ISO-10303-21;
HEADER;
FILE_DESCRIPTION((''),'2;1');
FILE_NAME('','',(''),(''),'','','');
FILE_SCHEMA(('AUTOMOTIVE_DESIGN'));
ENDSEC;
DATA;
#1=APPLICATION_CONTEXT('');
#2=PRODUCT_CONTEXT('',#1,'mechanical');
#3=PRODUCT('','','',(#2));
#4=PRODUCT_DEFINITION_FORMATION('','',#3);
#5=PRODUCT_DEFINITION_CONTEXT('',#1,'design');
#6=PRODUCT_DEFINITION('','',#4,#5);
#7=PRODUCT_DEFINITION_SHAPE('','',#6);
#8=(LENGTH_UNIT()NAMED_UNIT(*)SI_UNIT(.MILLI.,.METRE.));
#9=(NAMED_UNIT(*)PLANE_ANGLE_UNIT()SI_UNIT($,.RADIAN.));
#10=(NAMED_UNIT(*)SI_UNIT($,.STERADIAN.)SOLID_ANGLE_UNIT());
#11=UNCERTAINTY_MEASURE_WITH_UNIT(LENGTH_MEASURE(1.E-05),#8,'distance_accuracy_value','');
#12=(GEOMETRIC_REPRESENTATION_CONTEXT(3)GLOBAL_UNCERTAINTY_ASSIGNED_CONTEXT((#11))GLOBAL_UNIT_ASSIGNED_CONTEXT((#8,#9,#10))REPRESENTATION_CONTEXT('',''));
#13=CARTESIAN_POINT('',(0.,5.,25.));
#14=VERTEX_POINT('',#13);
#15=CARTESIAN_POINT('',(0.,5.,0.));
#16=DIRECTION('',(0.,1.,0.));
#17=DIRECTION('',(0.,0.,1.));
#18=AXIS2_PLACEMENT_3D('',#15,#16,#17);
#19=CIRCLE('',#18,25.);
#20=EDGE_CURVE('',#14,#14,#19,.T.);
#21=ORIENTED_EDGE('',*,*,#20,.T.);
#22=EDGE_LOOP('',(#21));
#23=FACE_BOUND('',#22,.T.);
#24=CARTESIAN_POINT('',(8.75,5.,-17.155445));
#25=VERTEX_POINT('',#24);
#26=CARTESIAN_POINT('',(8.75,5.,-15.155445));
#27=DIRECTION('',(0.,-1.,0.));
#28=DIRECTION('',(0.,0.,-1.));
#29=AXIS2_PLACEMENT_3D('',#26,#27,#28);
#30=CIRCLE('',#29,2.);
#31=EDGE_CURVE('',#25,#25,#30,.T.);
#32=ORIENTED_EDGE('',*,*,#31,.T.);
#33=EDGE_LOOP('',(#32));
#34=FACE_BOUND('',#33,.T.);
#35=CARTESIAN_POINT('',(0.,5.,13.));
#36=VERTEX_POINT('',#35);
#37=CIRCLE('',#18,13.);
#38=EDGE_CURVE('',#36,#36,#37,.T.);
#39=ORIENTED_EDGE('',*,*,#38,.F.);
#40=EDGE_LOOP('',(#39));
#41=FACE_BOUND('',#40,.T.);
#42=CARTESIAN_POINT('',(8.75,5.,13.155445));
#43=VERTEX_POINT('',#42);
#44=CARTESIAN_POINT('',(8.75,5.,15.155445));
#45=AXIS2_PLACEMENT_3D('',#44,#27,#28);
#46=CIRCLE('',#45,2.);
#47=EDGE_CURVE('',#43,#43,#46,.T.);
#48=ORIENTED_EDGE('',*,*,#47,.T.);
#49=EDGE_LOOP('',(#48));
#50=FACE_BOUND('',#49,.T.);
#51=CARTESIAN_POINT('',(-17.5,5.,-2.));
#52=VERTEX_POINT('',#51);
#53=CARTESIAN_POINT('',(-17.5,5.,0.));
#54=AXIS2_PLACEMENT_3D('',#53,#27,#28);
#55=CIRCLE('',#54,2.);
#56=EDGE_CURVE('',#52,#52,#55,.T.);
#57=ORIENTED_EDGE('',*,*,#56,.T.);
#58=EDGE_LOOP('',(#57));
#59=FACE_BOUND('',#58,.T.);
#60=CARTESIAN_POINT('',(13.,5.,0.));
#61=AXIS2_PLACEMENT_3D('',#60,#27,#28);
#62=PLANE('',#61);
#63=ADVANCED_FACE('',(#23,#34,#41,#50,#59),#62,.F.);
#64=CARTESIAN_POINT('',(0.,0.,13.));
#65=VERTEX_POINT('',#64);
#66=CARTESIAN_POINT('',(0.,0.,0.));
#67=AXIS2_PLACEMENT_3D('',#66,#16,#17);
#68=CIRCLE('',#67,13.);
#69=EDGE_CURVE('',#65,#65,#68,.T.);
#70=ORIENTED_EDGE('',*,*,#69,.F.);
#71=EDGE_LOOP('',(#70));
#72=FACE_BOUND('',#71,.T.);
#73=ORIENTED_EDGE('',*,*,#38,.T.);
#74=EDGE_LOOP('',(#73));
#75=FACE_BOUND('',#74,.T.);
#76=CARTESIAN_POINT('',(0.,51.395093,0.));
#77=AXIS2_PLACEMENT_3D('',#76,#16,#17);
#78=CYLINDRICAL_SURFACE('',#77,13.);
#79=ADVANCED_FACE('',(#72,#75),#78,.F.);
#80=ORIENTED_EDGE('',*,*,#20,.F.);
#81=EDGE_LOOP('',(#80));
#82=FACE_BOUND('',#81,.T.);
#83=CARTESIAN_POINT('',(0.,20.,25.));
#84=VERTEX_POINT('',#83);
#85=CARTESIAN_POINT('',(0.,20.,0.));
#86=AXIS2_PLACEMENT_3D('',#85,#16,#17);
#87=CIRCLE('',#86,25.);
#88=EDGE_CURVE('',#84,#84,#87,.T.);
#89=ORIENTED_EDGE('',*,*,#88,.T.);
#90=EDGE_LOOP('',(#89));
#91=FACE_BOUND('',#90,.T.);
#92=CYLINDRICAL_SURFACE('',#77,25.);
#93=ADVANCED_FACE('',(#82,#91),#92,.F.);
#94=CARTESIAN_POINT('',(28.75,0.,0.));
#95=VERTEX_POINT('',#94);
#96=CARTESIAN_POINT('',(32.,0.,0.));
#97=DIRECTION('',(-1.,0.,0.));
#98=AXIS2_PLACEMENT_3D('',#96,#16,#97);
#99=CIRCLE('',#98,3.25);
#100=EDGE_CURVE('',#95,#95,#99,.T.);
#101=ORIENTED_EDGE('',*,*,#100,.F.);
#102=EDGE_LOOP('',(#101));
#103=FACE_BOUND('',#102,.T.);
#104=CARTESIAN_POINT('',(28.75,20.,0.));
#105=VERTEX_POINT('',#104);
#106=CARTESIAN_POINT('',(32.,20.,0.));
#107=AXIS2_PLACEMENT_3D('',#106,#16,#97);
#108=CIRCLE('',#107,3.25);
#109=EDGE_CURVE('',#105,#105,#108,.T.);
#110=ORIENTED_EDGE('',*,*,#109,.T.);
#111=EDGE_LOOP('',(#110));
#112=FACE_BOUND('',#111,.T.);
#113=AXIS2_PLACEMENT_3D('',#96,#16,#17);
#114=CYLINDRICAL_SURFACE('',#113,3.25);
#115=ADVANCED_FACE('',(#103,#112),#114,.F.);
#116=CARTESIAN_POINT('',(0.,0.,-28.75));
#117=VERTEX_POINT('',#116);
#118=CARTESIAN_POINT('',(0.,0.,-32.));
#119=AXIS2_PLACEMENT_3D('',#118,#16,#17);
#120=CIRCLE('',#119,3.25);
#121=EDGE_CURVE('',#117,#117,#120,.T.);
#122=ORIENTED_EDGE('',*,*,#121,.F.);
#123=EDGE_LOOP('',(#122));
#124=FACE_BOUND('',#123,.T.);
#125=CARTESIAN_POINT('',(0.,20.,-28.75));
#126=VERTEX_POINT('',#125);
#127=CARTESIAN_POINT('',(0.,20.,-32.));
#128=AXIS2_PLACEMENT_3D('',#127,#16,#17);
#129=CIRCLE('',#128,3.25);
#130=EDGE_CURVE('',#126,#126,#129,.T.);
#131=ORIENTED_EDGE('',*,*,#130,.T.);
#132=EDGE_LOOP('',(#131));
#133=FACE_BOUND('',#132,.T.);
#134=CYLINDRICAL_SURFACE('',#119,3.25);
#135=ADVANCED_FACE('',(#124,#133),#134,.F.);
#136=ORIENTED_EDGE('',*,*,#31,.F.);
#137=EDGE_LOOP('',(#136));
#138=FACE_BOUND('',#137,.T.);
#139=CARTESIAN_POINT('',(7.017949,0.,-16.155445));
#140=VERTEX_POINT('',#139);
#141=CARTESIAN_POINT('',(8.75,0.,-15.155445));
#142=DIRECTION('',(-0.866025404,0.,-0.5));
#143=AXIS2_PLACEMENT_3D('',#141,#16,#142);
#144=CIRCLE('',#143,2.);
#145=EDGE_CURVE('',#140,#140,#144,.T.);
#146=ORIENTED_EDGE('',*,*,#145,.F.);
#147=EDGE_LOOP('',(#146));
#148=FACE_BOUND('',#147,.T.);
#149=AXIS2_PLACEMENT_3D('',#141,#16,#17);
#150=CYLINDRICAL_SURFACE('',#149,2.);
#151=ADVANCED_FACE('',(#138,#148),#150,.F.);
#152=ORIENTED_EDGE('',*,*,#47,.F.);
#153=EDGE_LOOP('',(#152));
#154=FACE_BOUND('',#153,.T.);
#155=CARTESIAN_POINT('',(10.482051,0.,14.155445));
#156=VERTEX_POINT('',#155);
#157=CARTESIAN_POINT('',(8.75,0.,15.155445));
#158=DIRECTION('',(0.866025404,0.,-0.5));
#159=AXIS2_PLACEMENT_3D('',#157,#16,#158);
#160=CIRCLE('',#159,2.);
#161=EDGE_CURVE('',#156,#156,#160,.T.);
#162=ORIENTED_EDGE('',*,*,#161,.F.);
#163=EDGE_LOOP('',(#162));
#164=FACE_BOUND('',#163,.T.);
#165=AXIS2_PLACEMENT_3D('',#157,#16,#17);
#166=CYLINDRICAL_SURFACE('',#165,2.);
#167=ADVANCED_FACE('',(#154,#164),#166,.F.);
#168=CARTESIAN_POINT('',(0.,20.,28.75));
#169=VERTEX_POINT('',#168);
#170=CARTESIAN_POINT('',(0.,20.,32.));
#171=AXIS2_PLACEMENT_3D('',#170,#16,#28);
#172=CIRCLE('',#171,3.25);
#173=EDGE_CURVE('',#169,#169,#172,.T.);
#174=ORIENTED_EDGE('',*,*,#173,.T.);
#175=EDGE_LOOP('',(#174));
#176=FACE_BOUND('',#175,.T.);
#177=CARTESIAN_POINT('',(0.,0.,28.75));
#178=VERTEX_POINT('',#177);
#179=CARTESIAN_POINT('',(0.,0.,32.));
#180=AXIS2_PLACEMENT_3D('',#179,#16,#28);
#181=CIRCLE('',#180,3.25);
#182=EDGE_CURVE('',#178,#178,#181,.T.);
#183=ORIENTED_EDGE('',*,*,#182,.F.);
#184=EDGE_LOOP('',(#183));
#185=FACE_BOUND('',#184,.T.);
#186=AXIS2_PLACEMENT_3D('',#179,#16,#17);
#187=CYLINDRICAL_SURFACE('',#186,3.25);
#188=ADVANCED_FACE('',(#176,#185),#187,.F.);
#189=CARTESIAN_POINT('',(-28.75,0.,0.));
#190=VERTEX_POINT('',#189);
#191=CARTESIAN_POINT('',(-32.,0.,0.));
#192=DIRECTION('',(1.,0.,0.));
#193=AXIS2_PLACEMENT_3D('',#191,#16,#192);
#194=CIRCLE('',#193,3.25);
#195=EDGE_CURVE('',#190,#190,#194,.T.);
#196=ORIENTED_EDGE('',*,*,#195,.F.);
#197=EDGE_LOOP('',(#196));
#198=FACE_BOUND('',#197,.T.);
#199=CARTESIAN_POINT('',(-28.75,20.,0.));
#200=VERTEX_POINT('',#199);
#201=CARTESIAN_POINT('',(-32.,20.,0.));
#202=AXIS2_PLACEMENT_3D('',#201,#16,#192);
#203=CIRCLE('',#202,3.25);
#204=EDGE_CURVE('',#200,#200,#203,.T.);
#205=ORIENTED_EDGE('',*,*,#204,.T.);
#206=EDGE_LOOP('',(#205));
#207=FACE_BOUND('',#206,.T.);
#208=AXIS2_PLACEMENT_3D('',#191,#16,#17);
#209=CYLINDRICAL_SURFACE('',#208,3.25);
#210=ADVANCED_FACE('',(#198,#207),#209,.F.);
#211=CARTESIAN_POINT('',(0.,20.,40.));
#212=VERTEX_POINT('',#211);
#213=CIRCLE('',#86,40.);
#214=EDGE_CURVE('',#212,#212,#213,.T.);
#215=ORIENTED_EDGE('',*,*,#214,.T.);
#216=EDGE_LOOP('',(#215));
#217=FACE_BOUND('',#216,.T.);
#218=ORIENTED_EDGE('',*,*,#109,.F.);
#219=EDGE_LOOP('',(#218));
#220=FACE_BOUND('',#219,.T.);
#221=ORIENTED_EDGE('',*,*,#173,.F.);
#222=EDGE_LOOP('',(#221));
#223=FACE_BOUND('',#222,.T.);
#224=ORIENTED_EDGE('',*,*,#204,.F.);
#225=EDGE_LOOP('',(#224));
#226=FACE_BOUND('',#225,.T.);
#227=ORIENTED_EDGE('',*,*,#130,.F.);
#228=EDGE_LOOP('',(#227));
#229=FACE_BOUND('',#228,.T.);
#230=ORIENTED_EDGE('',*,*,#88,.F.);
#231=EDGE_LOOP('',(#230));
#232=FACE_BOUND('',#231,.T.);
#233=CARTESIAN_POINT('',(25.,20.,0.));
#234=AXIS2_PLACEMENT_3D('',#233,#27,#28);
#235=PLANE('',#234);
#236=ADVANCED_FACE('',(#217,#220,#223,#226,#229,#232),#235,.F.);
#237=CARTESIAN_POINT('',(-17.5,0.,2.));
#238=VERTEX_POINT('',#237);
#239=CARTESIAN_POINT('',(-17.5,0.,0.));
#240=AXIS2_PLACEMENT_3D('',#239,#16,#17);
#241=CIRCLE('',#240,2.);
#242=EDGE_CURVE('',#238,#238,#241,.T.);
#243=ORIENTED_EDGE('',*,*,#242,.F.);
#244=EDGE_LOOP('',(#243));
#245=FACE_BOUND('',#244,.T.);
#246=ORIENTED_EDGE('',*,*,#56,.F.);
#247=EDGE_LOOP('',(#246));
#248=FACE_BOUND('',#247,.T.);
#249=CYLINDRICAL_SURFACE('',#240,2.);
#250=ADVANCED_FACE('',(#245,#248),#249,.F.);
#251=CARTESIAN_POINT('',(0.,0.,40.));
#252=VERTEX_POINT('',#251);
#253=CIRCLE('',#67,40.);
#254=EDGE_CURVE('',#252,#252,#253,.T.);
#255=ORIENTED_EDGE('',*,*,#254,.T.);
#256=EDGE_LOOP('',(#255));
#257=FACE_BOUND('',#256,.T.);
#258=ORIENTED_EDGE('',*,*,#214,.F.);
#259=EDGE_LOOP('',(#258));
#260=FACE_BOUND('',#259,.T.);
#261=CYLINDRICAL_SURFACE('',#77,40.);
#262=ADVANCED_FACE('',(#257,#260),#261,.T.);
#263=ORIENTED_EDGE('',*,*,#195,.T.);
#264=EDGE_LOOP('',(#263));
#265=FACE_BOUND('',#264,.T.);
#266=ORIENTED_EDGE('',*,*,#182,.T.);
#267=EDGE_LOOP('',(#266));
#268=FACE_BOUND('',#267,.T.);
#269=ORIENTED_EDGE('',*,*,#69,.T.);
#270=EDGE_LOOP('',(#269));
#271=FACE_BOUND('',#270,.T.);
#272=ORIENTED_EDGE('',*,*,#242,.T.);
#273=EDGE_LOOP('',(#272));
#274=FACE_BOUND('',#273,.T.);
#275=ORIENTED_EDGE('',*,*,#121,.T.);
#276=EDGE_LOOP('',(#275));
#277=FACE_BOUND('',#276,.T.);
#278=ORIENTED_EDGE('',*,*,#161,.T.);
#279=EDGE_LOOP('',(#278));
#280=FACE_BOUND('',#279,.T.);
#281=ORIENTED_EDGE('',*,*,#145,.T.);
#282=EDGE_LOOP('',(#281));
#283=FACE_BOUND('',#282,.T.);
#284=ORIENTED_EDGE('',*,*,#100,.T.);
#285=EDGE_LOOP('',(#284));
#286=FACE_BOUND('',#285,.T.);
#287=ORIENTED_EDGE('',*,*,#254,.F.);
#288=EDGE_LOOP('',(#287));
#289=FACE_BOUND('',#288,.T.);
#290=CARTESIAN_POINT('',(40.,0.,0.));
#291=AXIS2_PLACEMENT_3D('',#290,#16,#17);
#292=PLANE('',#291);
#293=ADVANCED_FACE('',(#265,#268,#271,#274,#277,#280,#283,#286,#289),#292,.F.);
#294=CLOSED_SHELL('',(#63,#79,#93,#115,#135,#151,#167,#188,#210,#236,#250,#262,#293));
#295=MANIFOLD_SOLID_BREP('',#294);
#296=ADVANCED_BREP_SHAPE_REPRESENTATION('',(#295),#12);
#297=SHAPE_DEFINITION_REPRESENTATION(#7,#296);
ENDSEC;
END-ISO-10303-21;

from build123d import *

# Parameters (mm, degrees)
SKETCH2_R          = 2
CUT_EXTRUDE1_DEPTH = 21
SKETCH3_R          = 3.25
CUT_EXTRUDE2_DEPTH = 21
CIRPATTERN1_COUNT  = 4
CIRPATTERN2_COUNT  = 3


with BuildPart() as part:
    # Sketch1 → Revolve1 (revolve)
    with BuildSketch(Plane.XY):
        Polygon((13, 0), (13, 5), (25, 5), (25, 20), (40, 20), (40, 0), align=None)
    revolve(axis=Axis((0, 51.395093442, 0), (0, -1, 0)))

    # Sketch2 → Cut-Extrude1 (cut, through all)
    with BuildSketch(Plane(origin=(0, 20, 0), x_dir=(1, 0, 0), z_dir=(0, 1, 0))):
        with Locations((-17.5, 0)):
            Circle(SKETCH2_R)
    cut_extrude1 = extrude(amount=-CUT_EXTRUDE1_DEPTH, mode=Mode.SUBTRACT)

    # Sketch3 → Cut-Extrude2 (cut, through all)
    with BuildSketch(Plane(origin=(0, 20, 0), x_dir=(1, 0, 0), z_dir=(0, 1, 0))):
        with Locations((0, 32)):
            Circle(SKETCH3_R)
    cut_extrude2 = extrude(amount=-CUT_EXTRUDE2_DEPTH, mode=Mode.SUBTRACT)

    # CirPattern1: Cut-Extrude2 ×4 about axis
    cirpattern1_axis = Axis((0, 0, 0), (0, 1, 0))
    for i in range(1, CIRPATTERN1_COUNT):
        add(cut_extrude2.rotate(cirpattern1_axis, i * 360 / CIRPATTERN1_COUNT), mode=Mode.SUBTRACT)

    # CirPattern2: Cut-Extrude1 ×3 about axis
    cirpattern2_axis = Axis((0, 0, 0), (0, 1, 0))
    for i in range(1, CIRPATTERN2_COUNT):
        add(cut_extrude1.rotate(cirpattern2_axis, i * 360 / CIRPATTERN2_COUNT), mode=Mode.SUBTRACT)


solid = part.part
